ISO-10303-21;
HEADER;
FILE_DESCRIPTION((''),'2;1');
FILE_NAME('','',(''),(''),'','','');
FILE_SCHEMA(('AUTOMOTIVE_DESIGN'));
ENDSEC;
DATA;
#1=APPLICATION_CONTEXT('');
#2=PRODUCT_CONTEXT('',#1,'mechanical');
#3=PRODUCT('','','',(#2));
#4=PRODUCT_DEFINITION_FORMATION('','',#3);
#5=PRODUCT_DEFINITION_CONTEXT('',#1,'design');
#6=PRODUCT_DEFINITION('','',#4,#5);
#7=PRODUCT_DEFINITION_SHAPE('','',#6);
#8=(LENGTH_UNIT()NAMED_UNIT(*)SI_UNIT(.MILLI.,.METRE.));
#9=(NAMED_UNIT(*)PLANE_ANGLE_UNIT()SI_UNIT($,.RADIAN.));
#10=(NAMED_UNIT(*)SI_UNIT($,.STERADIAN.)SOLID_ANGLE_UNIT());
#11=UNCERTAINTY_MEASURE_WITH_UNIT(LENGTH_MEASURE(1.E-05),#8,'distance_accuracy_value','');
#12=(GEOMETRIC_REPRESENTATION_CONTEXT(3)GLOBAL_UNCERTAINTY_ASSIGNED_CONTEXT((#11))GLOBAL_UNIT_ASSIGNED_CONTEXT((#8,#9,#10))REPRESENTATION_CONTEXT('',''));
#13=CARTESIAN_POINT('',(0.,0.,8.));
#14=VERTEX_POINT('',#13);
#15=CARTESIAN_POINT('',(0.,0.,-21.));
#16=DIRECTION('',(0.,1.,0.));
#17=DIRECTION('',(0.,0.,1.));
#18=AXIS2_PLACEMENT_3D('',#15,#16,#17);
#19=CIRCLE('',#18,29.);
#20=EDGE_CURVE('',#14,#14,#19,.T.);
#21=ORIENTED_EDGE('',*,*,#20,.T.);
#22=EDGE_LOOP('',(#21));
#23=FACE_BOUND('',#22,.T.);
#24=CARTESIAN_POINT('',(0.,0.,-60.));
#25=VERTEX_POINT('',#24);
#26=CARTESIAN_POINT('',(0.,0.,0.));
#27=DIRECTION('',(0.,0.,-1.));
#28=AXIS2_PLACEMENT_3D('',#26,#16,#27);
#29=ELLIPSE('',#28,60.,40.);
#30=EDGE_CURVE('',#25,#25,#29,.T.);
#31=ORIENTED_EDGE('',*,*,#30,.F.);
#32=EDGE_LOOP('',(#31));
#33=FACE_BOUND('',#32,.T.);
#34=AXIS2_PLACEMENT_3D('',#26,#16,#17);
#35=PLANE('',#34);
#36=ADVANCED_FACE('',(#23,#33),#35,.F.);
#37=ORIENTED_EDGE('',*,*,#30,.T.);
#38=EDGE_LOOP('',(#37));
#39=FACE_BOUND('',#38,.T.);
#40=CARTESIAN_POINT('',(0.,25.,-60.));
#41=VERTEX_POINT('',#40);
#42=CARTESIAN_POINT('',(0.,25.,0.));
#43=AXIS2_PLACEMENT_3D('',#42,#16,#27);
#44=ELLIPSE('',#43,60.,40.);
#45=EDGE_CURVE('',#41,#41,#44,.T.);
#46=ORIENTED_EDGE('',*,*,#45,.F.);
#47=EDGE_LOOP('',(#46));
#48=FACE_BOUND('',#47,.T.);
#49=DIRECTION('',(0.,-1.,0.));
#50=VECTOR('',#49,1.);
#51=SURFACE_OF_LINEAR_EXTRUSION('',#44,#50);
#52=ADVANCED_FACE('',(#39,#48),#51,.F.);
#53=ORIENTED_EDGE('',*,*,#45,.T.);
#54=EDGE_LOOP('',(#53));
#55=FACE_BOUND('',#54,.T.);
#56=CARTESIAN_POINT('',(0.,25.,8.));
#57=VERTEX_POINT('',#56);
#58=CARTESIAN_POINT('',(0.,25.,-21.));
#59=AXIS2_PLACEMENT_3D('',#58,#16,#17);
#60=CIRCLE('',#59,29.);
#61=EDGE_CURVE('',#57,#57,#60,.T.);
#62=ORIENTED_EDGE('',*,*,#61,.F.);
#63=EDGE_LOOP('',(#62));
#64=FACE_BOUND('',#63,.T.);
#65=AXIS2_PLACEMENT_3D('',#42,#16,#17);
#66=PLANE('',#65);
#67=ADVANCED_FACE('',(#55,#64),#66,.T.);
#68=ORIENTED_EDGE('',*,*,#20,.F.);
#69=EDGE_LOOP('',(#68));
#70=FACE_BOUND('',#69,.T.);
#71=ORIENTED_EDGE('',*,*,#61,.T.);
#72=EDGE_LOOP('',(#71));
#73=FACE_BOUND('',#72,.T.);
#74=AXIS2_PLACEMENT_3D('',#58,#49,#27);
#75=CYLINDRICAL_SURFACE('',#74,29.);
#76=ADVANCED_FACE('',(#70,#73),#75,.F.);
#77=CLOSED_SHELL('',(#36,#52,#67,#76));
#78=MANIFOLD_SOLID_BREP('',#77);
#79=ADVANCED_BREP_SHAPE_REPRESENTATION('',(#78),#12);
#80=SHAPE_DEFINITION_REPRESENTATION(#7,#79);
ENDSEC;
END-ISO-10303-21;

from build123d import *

# Parameters (mm, degrees)
SKETCH1_RX          = 60
SKETCH1_RY          = 40
SKETCH1_RX_2        = 55
SKETCH1_RY_2        = 35
SKETCH1_R           = 29
BOSS_EXTRUDE1_DEPTH = 25


with BuildPart() as part:
    # Sketch1 → Boss-Extrude1 (new body)
    # profile 1 of 2: a face of its own
    with BuildSketch(Plane(origin=(0, 0, 0), x_dir=(1, 0, 0), z_dir=(0, 1, 0))):
        with Locations(Location((0, 0), (0, 0, 90))):
            Ellipse(SKETCH1_RX, SKETCH1_RY)
        with Locations(Location((0, 0), (0, 0, 90))):
            Ellipse(SKETCH1_RX_2, SKETCH1_RY_2, mode=Mode.SUBTRACT)
    # profile 2 of 2: a face of its own
    with BuildSketch(Plane(origin=(0, 0, 0), x_dir=(1, 0, 0), z_dir=(0, 1, 0))):
        with Locations(Location((0, 0), (0, 0, 90))):
            Ellipse(SKETCH1_RX_2, SKETCH1_RY_2)
        with Locations(Location((0, 21, 0), (0, 0, 270))):
            Circle(SKETCH1_R, mode=Mode.SUBTRACT)
    extrude(amount=BOSS_EXTRUDE1_DEPTH)


solid = part.part
